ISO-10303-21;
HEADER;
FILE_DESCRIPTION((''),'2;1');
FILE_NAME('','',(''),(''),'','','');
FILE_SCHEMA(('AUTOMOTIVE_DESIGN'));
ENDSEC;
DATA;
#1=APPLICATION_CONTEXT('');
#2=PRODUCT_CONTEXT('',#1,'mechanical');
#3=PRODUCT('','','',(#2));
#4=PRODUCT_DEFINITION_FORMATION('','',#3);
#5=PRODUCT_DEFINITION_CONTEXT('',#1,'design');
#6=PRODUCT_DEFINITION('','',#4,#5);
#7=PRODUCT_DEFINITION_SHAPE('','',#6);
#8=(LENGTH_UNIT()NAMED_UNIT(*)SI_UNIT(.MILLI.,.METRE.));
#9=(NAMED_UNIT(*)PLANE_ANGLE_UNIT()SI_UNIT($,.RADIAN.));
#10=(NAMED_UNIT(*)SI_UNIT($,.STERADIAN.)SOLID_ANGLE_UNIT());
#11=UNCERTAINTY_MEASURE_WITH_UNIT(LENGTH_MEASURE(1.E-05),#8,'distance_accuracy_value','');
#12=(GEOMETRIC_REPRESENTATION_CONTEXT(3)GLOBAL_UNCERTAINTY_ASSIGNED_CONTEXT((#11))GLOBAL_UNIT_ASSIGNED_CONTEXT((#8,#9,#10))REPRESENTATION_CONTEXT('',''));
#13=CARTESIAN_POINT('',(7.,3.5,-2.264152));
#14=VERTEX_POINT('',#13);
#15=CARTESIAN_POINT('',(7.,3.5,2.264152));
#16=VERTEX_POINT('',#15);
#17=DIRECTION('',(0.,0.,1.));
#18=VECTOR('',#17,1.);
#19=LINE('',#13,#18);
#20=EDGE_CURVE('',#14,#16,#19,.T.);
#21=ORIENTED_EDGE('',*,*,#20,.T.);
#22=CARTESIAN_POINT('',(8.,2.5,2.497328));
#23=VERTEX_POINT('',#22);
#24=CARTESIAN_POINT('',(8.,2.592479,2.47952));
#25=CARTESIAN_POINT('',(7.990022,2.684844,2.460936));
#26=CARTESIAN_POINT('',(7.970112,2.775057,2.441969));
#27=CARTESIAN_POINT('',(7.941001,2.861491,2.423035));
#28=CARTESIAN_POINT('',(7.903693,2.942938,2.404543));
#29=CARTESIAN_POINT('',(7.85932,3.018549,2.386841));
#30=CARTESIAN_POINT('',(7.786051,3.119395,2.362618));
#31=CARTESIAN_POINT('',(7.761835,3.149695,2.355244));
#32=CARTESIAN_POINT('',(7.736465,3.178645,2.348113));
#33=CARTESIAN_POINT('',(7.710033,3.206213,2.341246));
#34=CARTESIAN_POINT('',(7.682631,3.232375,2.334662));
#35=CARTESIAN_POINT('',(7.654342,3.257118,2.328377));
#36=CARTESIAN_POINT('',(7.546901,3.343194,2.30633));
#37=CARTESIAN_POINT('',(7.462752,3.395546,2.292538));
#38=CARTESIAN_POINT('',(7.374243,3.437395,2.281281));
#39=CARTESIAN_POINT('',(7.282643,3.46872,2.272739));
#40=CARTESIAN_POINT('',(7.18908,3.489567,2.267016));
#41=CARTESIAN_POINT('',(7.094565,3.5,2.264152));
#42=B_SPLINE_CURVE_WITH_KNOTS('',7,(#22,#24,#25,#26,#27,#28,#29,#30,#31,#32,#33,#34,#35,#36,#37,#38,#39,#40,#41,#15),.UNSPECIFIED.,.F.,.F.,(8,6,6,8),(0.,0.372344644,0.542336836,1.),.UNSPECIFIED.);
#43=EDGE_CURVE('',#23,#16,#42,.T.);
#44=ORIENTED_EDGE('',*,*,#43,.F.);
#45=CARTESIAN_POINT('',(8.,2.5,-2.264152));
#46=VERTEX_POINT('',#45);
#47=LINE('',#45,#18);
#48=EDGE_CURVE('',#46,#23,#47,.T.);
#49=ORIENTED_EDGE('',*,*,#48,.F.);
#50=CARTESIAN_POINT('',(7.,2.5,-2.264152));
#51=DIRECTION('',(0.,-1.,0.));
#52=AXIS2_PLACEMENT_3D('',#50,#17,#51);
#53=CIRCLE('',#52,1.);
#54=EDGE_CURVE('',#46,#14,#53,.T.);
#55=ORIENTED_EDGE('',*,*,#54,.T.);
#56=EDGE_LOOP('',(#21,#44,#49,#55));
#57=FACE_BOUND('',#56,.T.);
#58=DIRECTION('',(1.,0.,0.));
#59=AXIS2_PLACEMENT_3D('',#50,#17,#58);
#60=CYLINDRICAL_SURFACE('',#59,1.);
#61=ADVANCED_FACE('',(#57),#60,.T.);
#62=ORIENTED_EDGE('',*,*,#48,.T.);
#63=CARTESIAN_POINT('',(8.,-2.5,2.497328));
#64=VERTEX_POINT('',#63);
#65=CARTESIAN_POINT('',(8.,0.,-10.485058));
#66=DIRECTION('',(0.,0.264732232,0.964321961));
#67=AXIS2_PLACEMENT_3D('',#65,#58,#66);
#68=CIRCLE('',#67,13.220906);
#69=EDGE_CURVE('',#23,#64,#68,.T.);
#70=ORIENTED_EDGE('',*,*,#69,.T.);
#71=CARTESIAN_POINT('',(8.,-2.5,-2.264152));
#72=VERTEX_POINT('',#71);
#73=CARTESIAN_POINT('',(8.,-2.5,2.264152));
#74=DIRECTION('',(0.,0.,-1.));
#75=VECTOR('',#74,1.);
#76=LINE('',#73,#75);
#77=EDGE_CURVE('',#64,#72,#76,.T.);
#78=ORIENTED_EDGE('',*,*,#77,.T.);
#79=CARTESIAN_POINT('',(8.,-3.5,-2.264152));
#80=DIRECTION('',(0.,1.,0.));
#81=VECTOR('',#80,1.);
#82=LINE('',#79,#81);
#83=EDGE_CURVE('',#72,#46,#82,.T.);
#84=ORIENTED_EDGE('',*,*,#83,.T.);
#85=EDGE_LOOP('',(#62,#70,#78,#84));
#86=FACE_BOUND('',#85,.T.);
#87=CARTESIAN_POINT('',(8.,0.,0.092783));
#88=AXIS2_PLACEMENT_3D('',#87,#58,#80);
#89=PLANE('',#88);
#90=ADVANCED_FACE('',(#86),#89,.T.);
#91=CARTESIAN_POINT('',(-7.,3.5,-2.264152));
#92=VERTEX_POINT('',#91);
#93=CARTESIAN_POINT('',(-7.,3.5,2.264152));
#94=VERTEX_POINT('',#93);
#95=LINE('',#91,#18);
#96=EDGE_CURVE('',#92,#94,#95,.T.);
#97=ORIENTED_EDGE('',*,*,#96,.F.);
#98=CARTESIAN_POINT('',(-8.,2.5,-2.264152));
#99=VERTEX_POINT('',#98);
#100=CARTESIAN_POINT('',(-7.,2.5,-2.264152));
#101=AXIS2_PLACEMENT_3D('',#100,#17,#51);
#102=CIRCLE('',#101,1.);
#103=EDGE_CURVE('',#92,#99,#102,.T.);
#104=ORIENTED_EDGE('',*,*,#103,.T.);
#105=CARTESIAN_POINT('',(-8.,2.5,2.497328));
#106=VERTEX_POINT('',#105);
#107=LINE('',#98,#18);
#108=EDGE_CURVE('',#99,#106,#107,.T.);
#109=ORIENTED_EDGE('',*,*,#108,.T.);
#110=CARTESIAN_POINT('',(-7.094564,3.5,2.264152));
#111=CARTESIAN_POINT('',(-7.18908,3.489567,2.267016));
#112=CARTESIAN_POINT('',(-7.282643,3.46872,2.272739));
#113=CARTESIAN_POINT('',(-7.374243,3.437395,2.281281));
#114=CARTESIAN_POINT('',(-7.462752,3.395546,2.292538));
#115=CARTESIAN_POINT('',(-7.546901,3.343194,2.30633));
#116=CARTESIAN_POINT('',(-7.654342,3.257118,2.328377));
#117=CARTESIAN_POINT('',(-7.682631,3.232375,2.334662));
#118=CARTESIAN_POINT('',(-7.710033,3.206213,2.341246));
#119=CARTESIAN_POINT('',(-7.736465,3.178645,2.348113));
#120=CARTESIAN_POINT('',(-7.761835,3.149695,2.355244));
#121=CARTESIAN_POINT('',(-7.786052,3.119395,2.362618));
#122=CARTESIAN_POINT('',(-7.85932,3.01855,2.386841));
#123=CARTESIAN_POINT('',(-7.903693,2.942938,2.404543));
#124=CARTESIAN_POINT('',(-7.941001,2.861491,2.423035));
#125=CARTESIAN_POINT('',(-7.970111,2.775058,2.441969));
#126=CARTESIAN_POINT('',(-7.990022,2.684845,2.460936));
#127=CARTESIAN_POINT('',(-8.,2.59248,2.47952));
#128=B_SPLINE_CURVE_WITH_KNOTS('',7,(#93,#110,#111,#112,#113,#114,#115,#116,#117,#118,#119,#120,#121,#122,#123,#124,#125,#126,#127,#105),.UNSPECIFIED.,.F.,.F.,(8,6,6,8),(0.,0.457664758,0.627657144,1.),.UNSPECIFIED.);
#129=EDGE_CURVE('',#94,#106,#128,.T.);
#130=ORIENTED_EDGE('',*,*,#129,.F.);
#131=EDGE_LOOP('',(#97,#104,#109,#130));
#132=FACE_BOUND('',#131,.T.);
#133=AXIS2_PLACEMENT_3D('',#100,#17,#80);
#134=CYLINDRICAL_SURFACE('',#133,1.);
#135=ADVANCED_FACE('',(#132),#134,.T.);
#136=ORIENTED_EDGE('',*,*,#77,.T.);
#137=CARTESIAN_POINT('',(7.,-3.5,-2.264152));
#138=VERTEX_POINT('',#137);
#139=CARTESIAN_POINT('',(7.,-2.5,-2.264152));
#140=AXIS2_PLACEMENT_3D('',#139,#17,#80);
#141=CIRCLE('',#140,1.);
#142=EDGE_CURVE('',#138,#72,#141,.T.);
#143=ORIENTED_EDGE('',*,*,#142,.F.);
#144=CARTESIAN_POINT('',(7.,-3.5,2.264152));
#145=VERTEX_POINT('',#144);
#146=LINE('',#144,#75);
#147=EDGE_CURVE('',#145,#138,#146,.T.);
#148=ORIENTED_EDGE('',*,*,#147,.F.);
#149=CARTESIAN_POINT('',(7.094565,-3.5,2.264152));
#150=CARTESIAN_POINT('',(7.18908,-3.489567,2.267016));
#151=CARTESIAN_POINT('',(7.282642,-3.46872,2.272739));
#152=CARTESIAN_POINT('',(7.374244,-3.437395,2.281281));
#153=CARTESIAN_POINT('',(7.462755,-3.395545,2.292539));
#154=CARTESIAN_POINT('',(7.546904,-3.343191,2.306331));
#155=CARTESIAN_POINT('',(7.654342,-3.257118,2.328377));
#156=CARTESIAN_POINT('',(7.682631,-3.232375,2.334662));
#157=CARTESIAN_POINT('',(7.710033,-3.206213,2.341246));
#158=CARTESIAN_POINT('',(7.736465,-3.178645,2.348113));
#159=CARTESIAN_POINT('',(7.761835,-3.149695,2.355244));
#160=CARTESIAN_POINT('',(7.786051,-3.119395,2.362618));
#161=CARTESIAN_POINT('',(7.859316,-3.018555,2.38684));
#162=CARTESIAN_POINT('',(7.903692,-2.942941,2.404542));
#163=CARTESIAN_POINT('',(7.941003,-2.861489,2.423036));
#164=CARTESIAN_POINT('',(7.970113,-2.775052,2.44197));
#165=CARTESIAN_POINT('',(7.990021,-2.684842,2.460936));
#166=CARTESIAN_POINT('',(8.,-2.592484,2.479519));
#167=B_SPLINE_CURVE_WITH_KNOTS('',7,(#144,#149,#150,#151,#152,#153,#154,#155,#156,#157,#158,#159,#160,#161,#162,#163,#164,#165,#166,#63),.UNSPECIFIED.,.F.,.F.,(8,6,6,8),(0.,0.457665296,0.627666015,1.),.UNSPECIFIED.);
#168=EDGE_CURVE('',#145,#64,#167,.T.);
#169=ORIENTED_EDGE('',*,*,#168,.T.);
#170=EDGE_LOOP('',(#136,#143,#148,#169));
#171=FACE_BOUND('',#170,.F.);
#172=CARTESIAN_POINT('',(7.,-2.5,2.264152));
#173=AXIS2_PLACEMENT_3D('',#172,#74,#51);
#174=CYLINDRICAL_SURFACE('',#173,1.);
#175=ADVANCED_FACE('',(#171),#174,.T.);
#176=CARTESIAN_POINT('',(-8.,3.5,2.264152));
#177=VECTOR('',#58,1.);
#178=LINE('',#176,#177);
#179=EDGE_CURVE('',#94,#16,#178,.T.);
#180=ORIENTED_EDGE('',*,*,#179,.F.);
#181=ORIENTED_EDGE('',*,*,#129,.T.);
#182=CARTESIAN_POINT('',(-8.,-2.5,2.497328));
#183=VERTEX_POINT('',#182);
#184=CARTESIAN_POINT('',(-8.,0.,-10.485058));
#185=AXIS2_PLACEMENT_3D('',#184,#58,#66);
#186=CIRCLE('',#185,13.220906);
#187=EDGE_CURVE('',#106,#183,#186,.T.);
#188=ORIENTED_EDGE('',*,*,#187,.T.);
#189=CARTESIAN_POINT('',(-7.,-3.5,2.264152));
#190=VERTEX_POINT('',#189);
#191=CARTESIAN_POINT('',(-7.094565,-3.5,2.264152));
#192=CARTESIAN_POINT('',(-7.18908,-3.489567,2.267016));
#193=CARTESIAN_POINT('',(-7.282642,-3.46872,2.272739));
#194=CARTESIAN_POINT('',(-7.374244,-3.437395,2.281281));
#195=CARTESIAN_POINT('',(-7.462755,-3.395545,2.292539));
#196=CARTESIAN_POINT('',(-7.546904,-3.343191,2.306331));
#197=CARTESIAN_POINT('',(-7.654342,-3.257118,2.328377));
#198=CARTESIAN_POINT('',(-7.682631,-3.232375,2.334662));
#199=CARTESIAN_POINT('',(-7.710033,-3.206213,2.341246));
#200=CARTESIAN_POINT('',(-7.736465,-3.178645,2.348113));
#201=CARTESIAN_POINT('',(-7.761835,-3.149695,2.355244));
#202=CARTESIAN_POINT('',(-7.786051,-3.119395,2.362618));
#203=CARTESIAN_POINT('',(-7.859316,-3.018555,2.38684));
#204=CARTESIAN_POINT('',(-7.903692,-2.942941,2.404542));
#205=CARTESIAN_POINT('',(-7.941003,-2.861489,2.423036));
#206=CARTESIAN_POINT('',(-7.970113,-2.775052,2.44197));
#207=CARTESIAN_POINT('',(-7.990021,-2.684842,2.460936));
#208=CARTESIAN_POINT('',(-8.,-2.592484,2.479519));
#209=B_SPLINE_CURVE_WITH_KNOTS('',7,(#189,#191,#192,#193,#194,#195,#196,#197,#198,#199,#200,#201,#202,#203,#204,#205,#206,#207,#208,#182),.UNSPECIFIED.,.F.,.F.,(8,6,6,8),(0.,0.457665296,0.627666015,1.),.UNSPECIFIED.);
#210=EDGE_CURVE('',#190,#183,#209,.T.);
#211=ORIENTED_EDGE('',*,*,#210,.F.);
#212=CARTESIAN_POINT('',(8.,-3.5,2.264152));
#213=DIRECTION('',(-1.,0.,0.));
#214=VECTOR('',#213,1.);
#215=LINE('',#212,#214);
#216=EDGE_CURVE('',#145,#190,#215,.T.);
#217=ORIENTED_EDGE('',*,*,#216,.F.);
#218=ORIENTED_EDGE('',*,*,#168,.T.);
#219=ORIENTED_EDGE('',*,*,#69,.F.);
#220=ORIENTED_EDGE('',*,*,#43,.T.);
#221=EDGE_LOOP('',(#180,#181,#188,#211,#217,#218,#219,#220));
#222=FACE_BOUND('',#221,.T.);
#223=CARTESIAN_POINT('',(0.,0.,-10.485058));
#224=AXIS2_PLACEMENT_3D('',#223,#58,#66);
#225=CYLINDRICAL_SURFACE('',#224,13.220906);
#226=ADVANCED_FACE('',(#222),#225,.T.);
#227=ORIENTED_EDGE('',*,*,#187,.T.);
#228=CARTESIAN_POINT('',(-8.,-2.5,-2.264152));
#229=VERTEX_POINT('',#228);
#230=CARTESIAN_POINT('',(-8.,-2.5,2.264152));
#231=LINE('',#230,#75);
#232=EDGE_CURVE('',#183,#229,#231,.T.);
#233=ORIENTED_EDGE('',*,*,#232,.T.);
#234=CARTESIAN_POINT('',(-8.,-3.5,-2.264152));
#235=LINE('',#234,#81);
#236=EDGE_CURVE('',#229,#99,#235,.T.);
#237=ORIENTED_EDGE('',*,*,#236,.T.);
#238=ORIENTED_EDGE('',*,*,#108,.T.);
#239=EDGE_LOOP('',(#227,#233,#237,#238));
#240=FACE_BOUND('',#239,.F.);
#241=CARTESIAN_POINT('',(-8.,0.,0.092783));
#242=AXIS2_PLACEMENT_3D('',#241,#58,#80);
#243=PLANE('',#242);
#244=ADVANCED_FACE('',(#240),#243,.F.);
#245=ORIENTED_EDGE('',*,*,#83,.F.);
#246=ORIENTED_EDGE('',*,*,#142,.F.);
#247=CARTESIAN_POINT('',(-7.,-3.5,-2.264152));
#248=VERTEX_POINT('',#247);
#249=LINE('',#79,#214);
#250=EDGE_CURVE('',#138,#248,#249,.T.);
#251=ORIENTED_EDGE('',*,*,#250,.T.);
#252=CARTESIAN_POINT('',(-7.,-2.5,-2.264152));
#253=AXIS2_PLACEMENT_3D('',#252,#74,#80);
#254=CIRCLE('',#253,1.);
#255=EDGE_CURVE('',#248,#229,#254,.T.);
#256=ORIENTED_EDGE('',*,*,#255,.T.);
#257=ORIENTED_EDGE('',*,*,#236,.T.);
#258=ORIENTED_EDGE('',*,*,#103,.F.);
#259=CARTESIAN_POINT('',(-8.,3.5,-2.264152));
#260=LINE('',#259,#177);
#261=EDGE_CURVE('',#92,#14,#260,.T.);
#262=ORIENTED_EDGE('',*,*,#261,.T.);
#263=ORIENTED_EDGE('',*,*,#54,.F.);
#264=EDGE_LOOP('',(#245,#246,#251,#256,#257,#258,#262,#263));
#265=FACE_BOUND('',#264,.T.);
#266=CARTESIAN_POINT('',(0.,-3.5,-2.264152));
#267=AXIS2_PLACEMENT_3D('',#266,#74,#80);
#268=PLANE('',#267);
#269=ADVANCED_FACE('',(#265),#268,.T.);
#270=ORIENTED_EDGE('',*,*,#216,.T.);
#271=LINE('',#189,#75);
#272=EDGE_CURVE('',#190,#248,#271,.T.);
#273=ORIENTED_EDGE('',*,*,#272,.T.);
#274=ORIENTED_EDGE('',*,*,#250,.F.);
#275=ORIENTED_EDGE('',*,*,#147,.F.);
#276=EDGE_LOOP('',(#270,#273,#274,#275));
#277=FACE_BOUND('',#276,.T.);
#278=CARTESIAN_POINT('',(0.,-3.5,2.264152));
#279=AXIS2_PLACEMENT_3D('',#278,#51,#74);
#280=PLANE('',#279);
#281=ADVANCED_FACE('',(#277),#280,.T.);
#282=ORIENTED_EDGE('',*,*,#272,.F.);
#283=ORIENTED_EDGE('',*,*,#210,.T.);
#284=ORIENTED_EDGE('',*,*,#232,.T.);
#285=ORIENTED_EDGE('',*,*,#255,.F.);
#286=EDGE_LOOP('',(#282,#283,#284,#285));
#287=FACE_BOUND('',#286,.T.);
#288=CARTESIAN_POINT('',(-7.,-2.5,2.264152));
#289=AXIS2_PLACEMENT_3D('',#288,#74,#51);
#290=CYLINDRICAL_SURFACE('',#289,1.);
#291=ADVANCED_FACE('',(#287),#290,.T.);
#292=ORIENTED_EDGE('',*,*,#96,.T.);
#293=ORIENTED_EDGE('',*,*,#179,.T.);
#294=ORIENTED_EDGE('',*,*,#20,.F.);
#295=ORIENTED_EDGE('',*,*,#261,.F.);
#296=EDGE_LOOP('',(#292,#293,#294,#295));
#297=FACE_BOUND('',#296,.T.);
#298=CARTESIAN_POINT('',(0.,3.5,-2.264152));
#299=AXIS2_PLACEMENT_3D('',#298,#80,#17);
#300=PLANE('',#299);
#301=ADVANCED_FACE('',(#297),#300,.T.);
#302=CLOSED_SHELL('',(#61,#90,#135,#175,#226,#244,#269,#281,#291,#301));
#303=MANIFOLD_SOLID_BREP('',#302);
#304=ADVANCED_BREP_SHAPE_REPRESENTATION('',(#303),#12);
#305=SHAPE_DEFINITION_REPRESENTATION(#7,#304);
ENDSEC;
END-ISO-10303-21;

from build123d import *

# Parameters (mm, degrees)
F1_DEPTH = 8
F2_R     = 1


with BuildPart() as f1:
    # F0 (on Right) → F1 (new body, symmetric)
    with BuildSketch(Plane.YZ):
        with BuildLine():
            Line((-3.5, -2.264152), (3.5, -2.264152))
            Line((3.5, -2.264152), (3.5, 2.264152))
            ThreePointArc((3.5, 2.264152), (0, 2.735848), (-3.5, 2.264152))
            Line((-3.5, 2.264152), (-3.5, -2.264152))
        make_face()
    extrude(amount=F1_DEPTH, both=True)

    # F2
    f2_edges = [f1.edges().sort_by_distance(p)[0] for p in [
        (8, -3.5, 0),
        (-8, -3.5, 0),
        (8, 3.5, 0),
        (-8, 3.5, 0),
    ]]
    fillet(f2_edges, radius=F2_R)


solid = f1.part
